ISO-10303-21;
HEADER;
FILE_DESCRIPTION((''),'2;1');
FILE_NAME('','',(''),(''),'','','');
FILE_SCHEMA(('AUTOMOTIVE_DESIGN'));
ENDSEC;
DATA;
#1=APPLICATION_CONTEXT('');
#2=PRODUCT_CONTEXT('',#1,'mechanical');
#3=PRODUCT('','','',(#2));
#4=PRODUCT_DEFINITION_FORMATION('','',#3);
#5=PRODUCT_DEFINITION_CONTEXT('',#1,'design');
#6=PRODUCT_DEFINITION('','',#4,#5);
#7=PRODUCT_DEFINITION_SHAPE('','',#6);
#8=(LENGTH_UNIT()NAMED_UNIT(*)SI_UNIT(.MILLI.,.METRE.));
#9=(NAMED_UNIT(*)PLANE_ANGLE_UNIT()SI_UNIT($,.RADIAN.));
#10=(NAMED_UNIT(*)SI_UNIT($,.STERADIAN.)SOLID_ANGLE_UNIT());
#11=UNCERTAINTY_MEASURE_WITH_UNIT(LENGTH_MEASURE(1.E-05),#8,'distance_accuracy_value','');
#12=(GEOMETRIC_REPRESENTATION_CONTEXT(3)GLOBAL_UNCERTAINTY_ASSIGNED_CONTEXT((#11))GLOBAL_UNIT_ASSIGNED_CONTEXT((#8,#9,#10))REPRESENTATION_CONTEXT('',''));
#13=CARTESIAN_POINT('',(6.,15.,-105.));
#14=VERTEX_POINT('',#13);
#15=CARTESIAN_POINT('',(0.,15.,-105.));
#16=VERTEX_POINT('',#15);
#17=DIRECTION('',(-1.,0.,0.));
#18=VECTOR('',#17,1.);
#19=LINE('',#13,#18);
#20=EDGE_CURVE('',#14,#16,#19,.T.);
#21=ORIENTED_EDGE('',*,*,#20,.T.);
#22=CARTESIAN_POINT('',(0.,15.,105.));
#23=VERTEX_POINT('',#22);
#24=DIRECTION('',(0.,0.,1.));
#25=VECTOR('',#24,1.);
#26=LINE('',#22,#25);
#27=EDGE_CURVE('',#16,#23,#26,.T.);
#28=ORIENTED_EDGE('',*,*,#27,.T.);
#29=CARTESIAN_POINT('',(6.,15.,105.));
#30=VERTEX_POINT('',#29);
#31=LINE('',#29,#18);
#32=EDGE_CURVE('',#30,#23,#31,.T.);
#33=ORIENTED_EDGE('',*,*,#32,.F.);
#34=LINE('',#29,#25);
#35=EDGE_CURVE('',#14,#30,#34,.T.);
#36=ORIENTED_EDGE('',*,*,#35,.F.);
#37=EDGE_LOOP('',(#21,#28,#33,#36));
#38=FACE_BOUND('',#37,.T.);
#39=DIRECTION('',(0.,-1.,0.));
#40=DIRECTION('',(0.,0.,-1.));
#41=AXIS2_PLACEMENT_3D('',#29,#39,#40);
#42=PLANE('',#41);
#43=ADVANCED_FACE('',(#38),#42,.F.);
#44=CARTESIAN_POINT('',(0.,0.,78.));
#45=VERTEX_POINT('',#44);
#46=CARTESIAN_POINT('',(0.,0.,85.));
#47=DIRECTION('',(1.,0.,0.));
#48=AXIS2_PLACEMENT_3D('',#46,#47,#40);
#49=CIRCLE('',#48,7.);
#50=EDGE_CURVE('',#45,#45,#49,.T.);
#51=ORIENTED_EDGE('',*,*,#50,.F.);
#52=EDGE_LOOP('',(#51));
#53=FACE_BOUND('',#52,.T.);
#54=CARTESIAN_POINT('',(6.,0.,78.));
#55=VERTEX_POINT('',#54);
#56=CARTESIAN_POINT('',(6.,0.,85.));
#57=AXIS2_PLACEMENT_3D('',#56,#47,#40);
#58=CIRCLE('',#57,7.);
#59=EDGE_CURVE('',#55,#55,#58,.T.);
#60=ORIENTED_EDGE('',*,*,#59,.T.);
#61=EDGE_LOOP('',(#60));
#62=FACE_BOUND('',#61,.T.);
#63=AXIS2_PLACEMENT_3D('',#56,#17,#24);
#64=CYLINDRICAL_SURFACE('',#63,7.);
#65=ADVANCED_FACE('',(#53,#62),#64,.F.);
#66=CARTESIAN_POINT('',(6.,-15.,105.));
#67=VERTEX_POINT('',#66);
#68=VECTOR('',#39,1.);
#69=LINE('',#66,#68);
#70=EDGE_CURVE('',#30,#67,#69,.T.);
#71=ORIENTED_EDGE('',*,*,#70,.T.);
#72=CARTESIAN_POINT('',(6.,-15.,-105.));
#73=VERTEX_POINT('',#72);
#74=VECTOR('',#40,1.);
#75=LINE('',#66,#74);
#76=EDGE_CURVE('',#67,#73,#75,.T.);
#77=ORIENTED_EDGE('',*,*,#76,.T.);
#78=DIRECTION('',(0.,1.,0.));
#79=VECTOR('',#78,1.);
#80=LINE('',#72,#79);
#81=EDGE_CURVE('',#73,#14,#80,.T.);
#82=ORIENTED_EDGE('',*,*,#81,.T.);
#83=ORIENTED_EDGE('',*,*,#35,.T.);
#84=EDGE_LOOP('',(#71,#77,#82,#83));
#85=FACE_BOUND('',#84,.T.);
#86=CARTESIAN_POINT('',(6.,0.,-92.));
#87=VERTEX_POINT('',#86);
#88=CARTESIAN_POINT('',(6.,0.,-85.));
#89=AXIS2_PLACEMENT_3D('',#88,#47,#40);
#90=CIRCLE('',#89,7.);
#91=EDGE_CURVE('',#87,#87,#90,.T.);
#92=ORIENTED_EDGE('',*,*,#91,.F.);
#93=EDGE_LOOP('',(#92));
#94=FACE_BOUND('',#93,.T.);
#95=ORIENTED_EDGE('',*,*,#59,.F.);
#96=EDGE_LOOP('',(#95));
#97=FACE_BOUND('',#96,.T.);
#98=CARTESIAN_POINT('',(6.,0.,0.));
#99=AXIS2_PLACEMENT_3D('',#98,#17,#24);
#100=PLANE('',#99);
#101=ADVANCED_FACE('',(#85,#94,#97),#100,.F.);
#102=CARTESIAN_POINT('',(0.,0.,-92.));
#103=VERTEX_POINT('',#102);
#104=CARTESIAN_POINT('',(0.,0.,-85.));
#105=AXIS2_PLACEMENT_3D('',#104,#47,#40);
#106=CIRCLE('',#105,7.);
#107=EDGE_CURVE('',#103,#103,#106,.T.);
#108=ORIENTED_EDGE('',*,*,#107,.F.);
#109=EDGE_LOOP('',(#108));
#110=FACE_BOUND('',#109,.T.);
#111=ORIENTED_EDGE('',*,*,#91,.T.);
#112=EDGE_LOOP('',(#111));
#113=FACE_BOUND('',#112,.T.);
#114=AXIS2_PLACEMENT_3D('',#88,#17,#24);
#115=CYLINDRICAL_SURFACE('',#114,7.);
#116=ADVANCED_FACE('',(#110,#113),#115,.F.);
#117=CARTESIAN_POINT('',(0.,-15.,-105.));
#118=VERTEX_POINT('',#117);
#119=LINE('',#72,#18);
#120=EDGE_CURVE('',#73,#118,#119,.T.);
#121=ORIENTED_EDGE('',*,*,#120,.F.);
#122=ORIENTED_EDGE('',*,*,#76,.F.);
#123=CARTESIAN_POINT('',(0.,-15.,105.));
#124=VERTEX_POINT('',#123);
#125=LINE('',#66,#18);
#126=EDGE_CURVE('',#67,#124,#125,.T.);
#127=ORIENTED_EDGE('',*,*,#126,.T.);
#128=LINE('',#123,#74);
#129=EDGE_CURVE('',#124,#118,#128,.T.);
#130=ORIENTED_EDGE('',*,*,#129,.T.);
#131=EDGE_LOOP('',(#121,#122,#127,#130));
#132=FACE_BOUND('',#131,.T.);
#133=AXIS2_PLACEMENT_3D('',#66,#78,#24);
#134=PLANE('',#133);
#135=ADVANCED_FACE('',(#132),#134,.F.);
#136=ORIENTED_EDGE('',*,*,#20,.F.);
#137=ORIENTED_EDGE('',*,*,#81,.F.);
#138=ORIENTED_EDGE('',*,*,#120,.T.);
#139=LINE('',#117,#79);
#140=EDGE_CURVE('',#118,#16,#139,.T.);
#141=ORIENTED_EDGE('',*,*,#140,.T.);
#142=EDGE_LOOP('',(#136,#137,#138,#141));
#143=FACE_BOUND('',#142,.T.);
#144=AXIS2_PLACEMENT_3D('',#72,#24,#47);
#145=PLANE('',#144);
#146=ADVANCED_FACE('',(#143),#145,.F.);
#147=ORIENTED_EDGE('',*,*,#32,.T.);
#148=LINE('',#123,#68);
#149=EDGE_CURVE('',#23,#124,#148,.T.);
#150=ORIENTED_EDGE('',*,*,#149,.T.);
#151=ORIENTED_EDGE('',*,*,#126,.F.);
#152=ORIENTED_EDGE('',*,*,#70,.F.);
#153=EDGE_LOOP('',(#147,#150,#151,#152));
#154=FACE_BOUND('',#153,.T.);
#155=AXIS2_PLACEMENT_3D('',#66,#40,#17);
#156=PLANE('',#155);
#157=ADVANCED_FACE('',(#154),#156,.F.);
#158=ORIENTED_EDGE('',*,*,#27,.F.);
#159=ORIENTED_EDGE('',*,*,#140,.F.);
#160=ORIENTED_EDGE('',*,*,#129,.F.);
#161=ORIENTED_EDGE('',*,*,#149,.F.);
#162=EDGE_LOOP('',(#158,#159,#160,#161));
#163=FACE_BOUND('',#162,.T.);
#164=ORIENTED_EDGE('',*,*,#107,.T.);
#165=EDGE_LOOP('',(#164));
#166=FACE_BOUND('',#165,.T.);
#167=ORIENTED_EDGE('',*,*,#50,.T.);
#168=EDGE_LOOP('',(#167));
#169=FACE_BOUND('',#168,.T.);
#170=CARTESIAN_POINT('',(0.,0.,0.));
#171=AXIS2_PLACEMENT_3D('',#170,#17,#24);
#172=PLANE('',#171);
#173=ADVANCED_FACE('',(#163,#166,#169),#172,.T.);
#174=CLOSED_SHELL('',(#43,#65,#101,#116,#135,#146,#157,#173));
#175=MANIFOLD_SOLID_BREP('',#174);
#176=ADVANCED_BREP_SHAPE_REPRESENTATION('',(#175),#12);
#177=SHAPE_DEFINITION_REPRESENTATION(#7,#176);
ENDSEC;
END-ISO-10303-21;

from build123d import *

# Parameters (mm, degrees)
SKETCH1_W           = 210
SKETCH1_H           = 30
SKETCH1_R           = 7
BOSS_EXTRUDE1_DEPTH = 6


with BuildPart() as part:
    # Sketch1 → Boss-Extrude1 (new body)
    with BuildSketch(Plane(origin=(0, 0, 0), x_dir=(0, 0, -1), z_dir=(1, 0, 0))):
        Rectangle(SKETCH1_W, SKETCH1_H)
        with Locations((-85, 0)):
            Circle(SKETCH1_R, mode=Mode.SUBTRACT)
        with Locations((85, 0)):
            Circle(SKETCH1_R, mode=Mode.SUBTRACT)
    extrude(amount=BOSS_EXTRUDE1_DEPTH)


solid = part.part
